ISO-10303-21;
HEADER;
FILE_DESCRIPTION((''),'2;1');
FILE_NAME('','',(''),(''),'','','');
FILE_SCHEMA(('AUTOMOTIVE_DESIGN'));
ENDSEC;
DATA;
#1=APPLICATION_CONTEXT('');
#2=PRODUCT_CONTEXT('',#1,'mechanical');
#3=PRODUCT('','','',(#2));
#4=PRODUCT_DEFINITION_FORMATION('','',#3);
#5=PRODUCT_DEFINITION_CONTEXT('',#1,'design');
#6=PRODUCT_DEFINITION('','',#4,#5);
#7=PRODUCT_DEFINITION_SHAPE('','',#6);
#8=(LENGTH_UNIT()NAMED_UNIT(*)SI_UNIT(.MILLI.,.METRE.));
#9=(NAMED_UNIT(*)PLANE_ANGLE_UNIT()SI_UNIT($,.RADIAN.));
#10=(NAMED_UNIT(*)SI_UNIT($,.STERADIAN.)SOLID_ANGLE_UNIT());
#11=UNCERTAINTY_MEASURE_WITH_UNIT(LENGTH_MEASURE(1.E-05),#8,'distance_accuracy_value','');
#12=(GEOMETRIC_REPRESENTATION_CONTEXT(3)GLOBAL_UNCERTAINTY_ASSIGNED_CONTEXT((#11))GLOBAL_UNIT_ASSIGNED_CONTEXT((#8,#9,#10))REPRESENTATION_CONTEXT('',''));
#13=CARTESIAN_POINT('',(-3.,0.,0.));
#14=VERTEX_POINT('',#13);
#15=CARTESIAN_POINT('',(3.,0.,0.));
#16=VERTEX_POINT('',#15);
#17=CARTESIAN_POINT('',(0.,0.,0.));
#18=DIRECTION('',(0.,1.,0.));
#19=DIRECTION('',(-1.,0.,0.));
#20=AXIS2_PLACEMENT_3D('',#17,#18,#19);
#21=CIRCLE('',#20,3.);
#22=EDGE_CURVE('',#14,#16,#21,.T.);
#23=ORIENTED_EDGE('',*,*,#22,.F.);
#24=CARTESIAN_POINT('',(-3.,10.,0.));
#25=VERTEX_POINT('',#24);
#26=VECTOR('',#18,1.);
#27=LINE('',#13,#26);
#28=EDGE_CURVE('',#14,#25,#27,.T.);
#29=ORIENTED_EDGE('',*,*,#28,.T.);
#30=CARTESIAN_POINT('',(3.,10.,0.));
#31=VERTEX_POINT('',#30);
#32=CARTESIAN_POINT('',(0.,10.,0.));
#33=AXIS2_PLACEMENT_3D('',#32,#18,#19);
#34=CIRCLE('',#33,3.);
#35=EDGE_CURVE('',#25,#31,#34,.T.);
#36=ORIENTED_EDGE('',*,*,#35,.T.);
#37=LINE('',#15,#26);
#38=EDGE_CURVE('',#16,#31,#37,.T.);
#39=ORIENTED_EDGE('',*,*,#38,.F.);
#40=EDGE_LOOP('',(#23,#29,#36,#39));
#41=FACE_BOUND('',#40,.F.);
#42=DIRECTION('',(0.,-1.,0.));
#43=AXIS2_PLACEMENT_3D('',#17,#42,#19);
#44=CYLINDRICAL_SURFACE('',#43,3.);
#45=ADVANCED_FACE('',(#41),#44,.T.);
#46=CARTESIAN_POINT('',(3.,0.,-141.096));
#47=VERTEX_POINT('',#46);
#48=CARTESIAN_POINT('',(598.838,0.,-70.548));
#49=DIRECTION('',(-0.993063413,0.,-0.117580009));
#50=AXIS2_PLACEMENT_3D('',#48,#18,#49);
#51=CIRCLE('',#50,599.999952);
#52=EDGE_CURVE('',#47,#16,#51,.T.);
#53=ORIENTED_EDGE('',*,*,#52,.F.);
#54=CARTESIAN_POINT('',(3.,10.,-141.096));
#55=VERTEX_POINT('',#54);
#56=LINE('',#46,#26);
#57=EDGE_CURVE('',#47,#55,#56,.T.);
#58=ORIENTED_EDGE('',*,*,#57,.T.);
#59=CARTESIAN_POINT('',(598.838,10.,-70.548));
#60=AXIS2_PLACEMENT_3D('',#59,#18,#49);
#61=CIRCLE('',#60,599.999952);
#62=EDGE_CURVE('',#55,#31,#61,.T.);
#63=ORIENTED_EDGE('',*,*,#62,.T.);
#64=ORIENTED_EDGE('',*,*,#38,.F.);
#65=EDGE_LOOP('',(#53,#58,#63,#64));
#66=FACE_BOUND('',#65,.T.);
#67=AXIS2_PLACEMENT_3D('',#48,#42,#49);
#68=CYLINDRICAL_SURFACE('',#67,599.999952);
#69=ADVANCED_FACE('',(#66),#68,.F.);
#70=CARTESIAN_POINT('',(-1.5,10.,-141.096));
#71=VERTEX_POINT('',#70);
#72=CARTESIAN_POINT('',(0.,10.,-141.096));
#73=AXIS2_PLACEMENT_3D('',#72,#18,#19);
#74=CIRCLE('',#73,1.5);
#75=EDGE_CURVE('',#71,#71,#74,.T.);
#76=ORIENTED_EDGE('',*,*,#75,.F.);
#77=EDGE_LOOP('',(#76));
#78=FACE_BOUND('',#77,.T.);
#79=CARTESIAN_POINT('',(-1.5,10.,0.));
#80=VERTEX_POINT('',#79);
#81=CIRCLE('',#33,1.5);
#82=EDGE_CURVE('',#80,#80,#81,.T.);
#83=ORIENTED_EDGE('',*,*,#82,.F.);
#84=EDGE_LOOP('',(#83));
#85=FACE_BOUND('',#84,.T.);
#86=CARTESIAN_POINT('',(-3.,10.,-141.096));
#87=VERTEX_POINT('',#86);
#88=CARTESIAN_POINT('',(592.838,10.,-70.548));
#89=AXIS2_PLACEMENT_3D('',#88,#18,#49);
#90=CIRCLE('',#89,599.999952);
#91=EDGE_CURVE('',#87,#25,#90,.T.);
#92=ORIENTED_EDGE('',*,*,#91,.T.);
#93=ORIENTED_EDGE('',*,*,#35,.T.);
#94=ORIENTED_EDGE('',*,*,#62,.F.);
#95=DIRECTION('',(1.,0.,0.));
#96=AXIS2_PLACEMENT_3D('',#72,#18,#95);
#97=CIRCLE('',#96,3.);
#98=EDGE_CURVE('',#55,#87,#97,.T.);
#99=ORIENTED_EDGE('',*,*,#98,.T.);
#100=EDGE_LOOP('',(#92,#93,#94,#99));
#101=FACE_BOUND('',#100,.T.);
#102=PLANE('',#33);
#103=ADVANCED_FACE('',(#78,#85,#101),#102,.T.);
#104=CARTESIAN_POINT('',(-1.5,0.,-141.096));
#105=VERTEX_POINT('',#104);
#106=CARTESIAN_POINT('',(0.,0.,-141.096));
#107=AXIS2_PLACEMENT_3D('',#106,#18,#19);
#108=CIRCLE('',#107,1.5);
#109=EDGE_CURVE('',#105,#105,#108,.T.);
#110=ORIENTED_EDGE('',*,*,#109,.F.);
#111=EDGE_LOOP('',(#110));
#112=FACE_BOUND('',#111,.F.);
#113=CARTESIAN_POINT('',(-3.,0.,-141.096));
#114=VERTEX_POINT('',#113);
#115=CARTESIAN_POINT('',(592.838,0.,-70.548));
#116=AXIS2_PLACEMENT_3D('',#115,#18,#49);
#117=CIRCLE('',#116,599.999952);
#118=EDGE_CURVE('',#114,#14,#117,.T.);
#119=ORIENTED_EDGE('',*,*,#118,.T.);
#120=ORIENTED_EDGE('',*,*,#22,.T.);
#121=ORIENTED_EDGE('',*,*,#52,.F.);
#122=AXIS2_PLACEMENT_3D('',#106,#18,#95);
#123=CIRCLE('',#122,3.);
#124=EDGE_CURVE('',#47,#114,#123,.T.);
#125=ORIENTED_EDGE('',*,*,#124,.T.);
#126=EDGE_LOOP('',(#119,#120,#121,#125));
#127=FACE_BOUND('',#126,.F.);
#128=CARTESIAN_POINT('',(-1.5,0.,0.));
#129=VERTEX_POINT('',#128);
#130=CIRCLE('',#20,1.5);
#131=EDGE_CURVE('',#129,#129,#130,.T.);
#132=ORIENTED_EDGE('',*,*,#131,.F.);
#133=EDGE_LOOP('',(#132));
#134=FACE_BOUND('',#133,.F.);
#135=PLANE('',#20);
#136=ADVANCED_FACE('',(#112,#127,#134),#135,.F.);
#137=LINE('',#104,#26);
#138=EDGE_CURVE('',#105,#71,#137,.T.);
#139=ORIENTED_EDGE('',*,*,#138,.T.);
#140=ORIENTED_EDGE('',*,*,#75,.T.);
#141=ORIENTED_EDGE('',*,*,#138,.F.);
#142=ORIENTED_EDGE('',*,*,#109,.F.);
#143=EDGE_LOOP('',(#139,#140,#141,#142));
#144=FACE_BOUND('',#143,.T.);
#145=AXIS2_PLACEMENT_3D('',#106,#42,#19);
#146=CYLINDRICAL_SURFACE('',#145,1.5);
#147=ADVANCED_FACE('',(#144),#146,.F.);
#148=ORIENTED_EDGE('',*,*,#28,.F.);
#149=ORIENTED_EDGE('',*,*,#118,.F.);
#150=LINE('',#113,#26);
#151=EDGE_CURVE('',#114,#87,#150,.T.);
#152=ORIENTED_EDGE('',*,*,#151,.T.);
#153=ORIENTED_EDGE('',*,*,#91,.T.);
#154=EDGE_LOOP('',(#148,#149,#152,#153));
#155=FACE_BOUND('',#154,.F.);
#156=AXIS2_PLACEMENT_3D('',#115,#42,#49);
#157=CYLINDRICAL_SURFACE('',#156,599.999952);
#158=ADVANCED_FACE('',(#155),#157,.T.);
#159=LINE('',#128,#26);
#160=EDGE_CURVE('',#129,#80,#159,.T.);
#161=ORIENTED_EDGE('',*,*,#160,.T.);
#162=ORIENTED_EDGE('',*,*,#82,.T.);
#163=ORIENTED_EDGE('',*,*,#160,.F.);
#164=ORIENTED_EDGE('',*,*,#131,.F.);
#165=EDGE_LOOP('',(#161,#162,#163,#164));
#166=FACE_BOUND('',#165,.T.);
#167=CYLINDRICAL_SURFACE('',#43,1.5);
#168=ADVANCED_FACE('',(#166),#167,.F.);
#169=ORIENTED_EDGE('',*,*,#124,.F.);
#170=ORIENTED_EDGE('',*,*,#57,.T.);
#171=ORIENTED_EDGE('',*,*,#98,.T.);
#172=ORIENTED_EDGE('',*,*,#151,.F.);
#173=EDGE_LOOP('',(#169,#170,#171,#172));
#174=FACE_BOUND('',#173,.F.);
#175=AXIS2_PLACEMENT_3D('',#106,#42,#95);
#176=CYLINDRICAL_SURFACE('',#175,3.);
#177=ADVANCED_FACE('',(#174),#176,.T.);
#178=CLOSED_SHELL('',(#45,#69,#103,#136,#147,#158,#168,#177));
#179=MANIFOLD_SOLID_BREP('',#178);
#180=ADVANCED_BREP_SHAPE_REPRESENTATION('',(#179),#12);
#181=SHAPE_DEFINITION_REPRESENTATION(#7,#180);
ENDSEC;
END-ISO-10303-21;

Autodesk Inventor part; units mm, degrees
ref_plane "YZ Plane" through (0, 0, 0) normal (1, 0, 0) x (0, 1, 0)
ref_plane "XZ Plane" through (0, 0, 0) normal (0, 1, 0) x (-1, 0, 0)
ref_plane "XY Plane" through (0, 0, 0) normal (0, 0, 1) x (1, 0, 0)
sketch "Sketch1" plane through (0, 0, 0) normal (0, 1, 0) x (-1, 0, 0)
  line L0 (0, 0) -> (0, -141.096) construction
  line L1 (-3, 0) -> (-3, -141.096)
  line L2 (3, -141.096) -> (3, 0)
  arc A0 (3, 0) -> (-3, 0) centre (0, 0) ccw
  arc A1 (-3, -141.096) -> (3, -141.096) centre (0, -141.096) ccw
  circle A2 centre (0, 0) radius 1.5
  circle A3 centre (0, -141.096) radius 1.5
  arc A4 (-3, -141.096) -> (-3, 0) centre (-598.838, -70.548) ccw
  arc A5 (3, -141.096) -> (3, 0) centre (-592.838, -70.548) ccw
  point P0 (0, -70.548)
  dimension "d0" = 6
  dimension "d1" = 141.096
  dimension "d2" = 3
  dimension "d3" = 3
  dimension "d10" = 600
  dimension "d11" = 600
extrude "Extrusion1" add sketch "Sketch1" along normal blind 10 contours A0 L2 A1 A4 | A5 L2
